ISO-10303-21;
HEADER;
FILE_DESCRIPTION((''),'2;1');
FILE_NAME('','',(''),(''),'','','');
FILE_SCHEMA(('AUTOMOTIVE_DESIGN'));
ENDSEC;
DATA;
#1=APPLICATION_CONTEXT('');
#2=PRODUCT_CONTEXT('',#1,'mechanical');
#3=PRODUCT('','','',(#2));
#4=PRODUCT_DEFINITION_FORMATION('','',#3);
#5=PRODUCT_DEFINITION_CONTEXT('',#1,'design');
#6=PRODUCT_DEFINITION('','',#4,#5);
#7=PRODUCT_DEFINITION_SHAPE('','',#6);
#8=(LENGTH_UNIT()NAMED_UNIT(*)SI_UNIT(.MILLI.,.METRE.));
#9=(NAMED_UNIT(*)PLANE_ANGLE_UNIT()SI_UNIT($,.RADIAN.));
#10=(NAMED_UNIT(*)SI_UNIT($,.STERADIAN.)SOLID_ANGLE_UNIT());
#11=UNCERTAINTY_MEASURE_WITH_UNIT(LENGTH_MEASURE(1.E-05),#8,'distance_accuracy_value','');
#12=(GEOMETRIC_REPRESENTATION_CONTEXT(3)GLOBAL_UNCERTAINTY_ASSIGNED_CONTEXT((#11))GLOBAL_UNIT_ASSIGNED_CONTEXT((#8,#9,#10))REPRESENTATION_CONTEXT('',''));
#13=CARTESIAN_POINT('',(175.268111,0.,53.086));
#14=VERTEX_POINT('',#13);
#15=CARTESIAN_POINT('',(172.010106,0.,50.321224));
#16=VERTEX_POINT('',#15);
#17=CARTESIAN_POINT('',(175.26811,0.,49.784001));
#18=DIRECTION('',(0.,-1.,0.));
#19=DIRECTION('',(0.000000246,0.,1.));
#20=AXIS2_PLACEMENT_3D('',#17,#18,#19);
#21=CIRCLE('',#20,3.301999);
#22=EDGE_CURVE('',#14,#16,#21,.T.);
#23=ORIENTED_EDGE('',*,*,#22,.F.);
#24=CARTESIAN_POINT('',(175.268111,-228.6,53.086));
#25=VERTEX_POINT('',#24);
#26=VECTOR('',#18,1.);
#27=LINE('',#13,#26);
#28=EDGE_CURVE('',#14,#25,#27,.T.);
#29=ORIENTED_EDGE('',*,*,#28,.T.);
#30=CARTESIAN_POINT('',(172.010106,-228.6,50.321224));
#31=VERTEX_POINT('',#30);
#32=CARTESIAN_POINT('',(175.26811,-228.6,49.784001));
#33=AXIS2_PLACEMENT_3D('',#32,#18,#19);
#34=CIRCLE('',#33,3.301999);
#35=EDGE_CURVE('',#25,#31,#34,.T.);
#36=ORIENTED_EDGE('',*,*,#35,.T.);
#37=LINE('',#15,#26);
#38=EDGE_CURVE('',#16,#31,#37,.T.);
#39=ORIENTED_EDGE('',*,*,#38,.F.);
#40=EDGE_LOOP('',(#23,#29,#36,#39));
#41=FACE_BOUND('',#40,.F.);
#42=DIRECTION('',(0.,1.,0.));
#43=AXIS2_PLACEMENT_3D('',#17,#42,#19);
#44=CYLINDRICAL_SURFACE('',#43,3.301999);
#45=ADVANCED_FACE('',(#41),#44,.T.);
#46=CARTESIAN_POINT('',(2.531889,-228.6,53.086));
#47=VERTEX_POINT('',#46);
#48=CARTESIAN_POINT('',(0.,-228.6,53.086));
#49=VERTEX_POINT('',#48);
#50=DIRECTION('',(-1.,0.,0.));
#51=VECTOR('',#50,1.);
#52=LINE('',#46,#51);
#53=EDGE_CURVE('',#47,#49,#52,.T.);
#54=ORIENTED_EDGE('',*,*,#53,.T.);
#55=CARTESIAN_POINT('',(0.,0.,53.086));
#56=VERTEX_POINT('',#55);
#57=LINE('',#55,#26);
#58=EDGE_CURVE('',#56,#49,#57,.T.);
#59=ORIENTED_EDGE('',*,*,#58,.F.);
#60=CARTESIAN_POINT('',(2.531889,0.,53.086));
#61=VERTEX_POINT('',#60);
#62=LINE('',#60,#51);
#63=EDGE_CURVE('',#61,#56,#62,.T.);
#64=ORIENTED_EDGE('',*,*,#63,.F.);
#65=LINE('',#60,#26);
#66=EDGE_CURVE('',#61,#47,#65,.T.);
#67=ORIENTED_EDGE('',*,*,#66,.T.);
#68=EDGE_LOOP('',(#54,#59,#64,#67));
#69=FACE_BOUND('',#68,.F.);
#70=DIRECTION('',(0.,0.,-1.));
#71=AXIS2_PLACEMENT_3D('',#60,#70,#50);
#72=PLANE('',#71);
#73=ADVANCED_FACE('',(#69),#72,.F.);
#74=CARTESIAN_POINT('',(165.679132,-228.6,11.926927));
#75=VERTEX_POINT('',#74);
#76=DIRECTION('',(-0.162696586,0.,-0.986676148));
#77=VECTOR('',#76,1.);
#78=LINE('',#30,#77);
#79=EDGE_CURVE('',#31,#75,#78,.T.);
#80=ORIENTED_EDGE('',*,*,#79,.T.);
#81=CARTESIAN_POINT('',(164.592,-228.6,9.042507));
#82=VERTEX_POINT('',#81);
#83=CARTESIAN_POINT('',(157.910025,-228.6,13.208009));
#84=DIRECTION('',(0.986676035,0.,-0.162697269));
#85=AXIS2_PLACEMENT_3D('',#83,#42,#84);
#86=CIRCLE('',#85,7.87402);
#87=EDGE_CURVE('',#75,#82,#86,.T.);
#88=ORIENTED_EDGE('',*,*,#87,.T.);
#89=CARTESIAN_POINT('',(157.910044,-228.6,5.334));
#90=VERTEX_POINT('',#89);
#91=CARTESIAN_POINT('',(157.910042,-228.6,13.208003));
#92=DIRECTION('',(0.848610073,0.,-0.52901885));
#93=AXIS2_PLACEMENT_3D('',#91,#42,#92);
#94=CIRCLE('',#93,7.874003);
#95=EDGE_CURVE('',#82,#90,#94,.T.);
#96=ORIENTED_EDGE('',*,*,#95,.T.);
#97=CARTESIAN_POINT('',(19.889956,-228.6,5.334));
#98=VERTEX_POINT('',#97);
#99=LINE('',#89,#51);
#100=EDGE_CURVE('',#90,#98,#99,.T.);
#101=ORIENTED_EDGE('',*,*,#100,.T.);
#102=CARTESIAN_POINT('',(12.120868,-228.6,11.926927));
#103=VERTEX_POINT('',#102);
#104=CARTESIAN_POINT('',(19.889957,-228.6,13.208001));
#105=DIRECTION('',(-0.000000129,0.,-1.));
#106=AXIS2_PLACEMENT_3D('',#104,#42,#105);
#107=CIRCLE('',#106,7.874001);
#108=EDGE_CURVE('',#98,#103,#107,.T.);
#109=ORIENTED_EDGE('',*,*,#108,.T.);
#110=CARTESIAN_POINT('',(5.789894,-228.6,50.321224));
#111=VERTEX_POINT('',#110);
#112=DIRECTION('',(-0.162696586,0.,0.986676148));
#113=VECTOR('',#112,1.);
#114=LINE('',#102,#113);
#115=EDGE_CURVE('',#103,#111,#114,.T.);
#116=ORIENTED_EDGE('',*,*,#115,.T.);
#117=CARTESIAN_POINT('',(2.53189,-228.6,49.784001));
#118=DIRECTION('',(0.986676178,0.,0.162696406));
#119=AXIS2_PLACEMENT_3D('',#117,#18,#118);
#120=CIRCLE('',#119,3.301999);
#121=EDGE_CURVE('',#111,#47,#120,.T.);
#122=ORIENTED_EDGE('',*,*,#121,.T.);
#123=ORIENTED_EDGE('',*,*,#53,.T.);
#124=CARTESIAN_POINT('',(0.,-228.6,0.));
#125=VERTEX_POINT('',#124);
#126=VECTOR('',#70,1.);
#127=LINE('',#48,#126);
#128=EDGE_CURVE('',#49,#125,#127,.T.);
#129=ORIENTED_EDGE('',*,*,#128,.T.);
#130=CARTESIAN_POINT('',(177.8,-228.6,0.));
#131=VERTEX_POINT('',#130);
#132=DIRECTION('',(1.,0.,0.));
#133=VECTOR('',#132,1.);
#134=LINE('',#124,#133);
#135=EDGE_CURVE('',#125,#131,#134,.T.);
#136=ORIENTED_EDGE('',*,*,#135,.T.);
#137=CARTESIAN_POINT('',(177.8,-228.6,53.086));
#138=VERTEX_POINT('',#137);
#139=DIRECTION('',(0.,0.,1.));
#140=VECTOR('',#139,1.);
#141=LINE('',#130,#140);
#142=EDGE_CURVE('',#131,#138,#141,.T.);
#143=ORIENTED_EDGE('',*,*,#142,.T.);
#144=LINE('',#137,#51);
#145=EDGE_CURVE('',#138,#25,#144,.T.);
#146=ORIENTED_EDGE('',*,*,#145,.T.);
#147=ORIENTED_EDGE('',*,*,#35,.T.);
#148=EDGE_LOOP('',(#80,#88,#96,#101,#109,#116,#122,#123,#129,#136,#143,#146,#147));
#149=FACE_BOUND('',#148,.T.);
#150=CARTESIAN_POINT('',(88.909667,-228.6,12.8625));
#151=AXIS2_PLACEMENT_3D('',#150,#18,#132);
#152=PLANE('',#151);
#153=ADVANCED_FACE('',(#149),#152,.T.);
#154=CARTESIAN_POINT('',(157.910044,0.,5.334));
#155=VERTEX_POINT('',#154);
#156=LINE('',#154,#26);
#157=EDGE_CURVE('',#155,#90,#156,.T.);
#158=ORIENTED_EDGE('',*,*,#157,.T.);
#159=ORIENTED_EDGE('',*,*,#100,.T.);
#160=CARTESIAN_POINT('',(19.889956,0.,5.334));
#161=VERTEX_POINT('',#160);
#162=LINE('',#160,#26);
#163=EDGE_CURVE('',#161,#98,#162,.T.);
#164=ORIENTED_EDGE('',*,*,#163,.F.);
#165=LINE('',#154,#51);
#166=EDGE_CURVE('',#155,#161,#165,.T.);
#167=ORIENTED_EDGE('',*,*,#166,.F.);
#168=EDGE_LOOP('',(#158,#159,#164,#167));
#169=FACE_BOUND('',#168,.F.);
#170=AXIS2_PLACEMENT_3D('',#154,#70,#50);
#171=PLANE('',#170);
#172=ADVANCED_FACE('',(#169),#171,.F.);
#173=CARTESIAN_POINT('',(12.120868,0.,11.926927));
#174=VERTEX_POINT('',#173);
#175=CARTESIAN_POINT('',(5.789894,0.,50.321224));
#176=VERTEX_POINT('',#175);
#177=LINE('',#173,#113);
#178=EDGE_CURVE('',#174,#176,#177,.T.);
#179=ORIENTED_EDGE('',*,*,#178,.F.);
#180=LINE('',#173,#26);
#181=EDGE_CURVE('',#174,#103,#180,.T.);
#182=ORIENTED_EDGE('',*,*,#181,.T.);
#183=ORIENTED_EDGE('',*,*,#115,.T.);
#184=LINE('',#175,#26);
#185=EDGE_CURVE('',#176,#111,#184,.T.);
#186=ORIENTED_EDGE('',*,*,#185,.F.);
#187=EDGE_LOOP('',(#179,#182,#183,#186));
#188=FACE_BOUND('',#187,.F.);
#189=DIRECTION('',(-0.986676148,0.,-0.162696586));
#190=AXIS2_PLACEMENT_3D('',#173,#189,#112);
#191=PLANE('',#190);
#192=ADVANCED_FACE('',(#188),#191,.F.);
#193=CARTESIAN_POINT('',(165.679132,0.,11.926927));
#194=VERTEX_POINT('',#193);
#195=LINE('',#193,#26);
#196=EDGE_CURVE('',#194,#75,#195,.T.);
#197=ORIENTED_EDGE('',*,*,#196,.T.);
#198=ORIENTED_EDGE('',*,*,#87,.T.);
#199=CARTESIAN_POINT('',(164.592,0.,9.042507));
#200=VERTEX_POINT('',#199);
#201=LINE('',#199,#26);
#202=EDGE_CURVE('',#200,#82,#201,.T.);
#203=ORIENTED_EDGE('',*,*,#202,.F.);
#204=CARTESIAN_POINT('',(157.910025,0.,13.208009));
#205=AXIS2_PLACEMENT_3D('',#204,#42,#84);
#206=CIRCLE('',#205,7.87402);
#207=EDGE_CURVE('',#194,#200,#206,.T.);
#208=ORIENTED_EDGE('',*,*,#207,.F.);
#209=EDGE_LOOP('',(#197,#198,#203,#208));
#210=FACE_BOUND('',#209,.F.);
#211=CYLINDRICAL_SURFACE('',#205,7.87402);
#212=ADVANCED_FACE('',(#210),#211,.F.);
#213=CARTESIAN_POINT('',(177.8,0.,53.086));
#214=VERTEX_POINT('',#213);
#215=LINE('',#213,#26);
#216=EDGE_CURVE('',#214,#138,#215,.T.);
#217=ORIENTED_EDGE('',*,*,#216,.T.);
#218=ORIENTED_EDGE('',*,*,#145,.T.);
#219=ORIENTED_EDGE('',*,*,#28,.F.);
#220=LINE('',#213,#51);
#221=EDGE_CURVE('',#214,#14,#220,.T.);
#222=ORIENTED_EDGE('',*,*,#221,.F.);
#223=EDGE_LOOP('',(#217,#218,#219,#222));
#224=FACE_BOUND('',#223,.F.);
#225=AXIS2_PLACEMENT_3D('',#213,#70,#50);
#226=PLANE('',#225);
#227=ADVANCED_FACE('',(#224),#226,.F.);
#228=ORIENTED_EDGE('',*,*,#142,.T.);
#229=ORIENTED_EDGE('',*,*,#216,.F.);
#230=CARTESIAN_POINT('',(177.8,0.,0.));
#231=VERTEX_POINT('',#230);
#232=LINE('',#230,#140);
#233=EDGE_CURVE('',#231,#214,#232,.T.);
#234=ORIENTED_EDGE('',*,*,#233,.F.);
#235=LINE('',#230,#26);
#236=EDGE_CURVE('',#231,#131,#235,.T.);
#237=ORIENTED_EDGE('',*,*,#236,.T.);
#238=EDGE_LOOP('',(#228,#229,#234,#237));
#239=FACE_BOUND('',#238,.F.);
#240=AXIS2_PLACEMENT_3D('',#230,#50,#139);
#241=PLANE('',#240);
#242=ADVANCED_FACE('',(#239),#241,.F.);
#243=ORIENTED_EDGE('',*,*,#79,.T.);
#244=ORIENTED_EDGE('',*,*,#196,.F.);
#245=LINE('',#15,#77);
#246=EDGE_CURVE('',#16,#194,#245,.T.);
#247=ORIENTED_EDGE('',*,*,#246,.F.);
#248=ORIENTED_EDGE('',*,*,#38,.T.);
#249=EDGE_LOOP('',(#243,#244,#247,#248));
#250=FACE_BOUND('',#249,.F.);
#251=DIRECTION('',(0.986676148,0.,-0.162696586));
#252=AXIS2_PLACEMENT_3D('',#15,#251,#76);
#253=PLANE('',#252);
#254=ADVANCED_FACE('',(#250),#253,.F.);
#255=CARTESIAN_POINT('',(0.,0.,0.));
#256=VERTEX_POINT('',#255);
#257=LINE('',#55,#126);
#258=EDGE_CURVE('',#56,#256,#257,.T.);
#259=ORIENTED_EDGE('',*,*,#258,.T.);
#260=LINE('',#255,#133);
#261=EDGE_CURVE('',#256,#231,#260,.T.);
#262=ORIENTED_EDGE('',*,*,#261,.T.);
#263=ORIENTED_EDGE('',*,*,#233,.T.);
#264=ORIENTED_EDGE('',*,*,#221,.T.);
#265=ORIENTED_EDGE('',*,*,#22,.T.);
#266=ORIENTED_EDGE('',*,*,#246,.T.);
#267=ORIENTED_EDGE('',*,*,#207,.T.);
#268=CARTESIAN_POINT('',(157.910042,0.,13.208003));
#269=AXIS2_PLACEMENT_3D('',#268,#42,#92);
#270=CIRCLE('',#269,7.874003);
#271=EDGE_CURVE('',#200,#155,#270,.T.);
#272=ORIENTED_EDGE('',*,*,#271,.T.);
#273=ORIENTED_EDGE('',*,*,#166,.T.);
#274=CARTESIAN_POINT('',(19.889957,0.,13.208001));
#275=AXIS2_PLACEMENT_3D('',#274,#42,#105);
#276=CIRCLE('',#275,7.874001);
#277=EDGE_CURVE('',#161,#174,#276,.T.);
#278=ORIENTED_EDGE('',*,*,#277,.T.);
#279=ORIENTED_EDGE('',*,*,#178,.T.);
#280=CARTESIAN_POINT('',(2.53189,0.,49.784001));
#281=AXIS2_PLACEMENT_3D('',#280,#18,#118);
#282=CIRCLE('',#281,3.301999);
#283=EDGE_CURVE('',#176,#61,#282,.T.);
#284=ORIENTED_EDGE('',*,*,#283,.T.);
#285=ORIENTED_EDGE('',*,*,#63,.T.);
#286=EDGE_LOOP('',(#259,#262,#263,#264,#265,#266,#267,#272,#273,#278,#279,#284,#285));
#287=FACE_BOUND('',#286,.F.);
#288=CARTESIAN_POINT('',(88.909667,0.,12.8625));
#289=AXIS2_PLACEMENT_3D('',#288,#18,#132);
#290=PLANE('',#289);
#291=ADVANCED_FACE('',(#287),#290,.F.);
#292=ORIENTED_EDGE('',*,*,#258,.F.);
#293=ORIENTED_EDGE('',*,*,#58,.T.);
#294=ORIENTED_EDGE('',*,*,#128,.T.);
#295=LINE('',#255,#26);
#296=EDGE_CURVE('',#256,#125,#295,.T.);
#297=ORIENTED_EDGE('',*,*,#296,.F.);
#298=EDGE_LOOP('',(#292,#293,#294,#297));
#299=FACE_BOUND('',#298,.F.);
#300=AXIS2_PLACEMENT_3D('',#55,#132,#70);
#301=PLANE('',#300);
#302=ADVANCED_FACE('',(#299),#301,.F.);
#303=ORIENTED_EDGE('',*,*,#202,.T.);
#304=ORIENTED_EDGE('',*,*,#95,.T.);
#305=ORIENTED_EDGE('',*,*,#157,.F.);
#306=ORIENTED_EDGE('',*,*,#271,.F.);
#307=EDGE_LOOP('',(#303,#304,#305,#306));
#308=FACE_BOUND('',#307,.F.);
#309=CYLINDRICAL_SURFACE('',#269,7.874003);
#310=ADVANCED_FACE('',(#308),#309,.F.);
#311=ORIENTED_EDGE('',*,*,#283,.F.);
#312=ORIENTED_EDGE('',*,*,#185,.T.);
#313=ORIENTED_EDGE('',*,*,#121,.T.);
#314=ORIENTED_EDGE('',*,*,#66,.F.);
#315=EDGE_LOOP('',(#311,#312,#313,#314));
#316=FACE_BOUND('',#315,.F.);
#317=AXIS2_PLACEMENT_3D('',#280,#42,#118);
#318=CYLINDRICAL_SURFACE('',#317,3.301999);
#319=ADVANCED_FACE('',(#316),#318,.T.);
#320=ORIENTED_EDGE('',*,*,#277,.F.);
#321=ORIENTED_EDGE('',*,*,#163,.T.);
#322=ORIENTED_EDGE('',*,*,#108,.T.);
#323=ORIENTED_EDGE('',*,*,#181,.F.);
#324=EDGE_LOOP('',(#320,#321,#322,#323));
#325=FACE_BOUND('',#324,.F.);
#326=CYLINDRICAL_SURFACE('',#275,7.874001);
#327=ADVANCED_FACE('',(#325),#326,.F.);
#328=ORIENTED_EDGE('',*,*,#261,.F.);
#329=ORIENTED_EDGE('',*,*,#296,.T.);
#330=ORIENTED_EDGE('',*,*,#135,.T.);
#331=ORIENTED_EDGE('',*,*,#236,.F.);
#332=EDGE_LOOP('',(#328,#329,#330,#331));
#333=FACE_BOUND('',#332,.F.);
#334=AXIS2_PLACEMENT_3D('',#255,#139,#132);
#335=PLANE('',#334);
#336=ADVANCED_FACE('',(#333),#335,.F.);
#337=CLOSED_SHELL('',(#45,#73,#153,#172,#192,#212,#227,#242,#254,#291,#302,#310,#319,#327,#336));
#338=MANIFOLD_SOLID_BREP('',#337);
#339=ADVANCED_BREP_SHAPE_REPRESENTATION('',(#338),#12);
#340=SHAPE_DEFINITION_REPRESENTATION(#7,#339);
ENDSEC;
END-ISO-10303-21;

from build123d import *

# Parameters (mm, degrees)
F1_DEPTH = 228.6


with BuildPart() as f1:
    # F0 (on Front) → F1 (new body)
    with BuildSketch(Plane.XZ):
        with BuildLine():
            Line((0, 53.086), (0, 0))
            Line((0, 0), (177.8, 0))
            Line((177.8, 0), (177.8, 53.086))
            Line((177.8, 53.086), (175.268111, 53.086))
            ThreePointArc((175.268111, 53.086), (173.131608, 52.30165), (172.010106, 50.321224))
            Line((172.010106, 50.321224), (165.679132, 11.926927))
            ThreePointArc((165.679132, 11.926927), (165.278092, 10.430999), (164.592, 9.042507))
            ThreePointArc((164.592, 9.042507), (161.731089, 6.323272), (157.910044, 5.334))
            Line((157.910044, 5.334), (19.889956, 5.334))
            ThreePointArc((19.889956, 5.334), (14.795219, 7.204374), (12.120868, 11.926927))
            Line((12.120868, 11.926927), (5.789894, 50.321224))
            ThreePointArc((5.789894, 50.321224), (4.668392, 52.30165), (2.531889, 53.086))
            Line((2.531889, 53.086), (0, 53.086))
        make_face()
    extrude(amount=F1_DEPTH)


solid = f1.part
